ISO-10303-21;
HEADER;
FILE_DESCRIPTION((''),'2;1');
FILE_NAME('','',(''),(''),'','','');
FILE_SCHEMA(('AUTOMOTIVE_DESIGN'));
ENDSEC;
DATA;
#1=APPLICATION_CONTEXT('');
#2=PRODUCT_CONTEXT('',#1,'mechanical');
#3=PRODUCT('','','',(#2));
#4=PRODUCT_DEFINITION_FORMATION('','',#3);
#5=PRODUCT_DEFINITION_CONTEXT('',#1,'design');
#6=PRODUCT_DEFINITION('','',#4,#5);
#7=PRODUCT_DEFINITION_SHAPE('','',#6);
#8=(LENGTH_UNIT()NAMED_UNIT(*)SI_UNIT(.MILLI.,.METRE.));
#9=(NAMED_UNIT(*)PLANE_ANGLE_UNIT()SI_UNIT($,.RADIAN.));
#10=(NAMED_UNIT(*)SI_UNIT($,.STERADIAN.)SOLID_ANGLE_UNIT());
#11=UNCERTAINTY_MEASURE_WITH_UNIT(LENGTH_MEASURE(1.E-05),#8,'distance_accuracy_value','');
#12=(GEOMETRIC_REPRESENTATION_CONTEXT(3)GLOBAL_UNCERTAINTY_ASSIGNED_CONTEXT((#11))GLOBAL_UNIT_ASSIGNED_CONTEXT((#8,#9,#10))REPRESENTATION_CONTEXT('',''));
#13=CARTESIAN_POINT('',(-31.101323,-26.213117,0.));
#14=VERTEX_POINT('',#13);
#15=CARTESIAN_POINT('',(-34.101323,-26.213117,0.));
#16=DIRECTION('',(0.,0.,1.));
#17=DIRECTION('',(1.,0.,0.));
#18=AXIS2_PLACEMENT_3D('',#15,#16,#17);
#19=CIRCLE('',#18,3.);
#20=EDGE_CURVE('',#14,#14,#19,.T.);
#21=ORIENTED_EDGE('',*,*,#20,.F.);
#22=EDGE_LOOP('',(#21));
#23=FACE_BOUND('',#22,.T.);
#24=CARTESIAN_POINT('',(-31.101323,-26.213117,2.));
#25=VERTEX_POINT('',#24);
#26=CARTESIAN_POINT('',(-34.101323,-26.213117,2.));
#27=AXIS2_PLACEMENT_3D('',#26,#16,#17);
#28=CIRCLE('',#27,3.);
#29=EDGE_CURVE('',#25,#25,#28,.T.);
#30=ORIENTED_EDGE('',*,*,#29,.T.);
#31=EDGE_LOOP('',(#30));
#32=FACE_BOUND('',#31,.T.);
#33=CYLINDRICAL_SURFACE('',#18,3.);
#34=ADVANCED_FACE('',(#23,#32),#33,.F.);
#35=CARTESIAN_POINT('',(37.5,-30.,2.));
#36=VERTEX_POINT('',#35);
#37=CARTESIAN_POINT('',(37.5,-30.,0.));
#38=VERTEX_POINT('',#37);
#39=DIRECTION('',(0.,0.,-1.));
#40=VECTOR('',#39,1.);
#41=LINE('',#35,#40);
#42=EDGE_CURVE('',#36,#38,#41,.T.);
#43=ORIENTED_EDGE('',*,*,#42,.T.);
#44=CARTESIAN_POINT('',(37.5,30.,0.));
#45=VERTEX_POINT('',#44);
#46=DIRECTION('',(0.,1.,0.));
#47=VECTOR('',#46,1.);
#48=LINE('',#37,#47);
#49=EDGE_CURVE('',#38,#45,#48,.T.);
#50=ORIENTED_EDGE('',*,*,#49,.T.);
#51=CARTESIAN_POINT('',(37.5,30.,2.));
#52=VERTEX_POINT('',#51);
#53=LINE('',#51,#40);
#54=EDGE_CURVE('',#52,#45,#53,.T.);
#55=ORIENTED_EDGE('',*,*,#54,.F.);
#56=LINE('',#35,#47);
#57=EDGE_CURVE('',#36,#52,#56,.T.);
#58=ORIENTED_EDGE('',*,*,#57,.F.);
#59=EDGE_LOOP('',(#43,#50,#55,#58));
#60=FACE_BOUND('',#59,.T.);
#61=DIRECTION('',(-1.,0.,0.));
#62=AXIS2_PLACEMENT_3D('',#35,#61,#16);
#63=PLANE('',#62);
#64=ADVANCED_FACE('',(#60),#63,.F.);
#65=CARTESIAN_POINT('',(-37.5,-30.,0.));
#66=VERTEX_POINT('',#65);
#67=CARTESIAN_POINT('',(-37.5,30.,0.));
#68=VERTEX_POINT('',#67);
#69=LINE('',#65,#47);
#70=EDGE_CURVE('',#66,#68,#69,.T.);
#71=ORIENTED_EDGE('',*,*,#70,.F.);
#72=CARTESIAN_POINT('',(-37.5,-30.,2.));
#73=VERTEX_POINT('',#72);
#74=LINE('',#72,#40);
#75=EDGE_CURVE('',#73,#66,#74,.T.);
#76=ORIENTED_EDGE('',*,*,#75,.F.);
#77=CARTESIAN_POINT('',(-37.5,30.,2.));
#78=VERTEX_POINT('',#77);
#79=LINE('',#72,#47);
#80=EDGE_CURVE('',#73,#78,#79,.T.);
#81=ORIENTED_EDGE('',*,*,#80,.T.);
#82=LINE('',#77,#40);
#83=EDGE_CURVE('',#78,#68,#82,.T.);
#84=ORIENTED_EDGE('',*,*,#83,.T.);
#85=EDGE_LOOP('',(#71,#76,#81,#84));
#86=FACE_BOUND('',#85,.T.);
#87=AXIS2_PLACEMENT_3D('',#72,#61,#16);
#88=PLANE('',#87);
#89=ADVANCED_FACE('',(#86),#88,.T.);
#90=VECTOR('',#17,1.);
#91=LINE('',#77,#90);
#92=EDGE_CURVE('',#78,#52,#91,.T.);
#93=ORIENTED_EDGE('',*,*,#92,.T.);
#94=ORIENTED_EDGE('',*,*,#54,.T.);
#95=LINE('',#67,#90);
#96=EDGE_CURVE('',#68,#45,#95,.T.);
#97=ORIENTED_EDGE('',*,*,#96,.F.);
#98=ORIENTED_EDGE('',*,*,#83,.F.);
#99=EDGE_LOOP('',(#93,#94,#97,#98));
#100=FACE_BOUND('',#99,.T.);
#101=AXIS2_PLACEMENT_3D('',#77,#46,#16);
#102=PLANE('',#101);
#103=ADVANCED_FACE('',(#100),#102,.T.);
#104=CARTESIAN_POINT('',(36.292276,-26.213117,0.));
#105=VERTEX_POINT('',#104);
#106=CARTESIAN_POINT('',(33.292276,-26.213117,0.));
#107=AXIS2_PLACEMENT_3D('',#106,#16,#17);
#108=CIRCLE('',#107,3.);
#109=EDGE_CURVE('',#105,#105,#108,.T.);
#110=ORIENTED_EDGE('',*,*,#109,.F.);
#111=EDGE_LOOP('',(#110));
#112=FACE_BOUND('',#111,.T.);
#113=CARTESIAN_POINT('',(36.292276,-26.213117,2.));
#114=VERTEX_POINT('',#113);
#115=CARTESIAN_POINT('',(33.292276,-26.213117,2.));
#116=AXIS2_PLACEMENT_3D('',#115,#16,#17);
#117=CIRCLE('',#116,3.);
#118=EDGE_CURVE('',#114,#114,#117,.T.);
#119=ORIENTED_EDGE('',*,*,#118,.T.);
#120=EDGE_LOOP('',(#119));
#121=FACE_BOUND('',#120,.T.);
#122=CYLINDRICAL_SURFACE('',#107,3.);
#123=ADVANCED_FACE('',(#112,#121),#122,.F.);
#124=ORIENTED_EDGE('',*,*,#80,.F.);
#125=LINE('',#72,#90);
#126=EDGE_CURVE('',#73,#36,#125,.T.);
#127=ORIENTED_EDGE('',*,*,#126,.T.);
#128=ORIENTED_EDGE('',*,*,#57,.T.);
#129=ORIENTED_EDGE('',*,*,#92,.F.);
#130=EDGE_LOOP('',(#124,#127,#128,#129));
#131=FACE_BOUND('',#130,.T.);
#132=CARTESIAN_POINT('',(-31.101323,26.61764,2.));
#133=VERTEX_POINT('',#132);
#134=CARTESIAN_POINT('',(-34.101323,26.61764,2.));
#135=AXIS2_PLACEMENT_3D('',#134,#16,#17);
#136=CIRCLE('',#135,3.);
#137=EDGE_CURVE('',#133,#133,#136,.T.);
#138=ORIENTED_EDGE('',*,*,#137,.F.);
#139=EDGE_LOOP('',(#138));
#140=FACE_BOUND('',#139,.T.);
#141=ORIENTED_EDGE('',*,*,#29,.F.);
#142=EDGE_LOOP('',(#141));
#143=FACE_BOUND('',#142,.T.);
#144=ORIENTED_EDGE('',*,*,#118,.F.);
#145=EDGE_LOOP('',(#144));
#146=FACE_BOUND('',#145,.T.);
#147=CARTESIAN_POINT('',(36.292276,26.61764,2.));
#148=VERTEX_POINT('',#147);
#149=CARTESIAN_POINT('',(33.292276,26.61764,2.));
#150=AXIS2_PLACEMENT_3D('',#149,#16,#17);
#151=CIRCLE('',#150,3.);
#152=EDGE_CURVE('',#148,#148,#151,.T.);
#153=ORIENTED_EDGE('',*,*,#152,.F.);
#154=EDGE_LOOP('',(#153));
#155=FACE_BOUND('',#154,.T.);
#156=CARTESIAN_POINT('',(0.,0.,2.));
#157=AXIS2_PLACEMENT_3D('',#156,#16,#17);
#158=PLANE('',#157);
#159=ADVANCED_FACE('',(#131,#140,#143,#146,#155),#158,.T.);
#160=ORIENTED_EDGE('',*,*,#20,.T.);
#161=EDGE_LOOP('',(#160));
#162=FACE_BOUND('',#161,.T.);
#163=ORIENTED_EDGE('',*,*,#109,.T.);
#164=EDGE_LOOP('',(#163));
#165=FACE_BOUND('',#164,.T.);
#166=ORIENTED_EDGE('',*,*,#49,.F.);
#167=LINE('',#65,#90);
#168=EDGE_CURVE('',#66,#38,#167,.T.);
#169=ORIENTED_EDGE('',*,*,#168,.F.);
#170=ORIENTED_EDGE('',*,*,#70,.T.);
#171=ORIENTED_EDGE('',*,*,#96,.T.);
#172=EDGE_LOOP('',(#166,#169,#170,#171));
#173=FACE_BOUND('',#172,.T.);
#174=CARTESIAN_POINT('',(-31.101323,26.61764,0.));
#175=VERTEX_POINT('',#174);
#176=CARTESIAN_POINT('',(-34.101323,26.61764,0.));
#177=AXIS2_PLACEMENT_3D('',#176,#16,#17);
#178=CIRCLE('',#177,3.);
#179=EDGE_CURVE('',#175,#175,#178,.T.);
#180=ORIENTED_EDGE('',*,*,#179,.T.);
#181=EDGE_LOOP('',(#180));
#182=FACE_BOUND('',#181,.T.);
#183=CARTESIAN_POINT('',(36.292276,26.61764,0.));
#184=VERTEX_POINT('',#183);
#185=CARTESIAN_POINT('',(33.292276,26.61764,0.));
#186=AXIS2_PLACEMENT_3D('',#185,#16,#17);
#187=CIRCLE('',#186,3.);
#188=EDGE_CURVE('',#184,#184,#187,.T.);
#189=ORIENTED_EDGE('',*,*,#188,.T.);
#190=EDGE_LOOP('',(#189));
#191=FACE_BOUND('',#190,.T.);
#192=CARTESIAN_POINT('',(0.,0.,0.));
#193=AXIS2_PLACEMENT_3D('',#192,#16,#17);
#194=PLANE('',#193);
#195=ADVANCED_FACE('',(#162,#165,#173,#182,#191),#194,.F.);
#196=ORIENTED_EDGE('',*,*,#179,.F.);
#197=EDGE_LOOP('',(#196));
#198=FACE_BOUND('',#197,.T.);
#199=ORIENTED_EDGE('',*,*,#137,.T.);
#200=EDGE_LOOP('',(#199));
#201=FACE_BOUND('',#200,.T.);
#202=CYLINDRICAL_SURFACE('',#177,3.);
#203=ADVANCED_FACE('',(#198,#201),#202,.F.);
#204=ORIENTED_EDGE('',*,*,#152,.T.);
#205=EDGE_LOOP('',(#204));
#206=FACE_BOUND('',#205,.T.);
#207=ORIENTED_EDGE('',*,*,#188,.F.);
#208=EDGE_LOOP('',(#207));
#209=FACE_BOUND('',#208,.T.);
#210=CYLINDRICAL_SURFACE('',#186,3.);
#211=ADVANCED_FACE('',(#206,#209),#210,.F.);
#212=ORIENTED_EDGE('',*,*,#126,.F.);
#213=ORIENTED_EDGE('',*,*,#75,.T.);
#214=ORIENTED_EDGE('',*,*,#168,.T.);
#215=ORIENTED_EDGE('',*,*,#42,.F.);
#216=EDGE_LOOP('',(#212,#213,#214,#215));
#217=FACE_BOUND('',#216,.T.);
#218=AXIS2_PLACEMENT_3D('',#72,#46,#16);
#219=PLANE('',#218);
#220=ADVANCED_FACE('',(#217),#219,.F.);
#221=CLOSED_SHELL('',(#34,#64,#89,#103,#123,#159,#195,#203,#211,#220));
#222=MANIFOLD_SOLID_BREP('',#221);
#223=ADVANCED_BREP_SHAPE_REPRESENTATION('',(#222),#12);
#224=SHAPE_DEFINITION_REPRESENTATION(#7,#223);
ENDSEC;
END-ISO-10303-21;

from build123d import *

# Parameters (mm, degrees)
ESQUISSE3_W             = 75
ESQUISSE3_H             = 60
BOSS_EXTRU_4_DEPTH      = 2
ESQUISSE9_R             = 3
ENL_V_MAT_EXTRU_1_DEPTH = 2


with BuildPart() as part:
    # Esquisse3 → Boss.-Extru.4 (new body)
    with BuildSketch(Plane.XY):
        Rectangle(ESQUISSE3_W, ESQUISSE3_H)
    extrude(amount=BOSS_EXTRU_4_DEPTH)

    # Esquisse9 → Enlèv. mat.-Extru.1 (cut)
    with BuildSketch(Plane.XY.offset(2)):
        with Locations((-34.10132307, 26.617640071)):
            Circle(ESQUISSE9_R)
        with Locations((33.292276259, 26.617640071)):
            Circle(ESQUISSE9_R)
        with Locations((33.292276259, -26.213116666)):
            Circle(ESQUISSE9_R)
        with Locations((-34.10132307, -26.213116666)):
            Circle(ESQUISSE9_R)
    extrude(amount=-ENL_V_MAT_EXTRU_1_DEPTH, mode=Mode.SUBTRACT)


solid = part.part
